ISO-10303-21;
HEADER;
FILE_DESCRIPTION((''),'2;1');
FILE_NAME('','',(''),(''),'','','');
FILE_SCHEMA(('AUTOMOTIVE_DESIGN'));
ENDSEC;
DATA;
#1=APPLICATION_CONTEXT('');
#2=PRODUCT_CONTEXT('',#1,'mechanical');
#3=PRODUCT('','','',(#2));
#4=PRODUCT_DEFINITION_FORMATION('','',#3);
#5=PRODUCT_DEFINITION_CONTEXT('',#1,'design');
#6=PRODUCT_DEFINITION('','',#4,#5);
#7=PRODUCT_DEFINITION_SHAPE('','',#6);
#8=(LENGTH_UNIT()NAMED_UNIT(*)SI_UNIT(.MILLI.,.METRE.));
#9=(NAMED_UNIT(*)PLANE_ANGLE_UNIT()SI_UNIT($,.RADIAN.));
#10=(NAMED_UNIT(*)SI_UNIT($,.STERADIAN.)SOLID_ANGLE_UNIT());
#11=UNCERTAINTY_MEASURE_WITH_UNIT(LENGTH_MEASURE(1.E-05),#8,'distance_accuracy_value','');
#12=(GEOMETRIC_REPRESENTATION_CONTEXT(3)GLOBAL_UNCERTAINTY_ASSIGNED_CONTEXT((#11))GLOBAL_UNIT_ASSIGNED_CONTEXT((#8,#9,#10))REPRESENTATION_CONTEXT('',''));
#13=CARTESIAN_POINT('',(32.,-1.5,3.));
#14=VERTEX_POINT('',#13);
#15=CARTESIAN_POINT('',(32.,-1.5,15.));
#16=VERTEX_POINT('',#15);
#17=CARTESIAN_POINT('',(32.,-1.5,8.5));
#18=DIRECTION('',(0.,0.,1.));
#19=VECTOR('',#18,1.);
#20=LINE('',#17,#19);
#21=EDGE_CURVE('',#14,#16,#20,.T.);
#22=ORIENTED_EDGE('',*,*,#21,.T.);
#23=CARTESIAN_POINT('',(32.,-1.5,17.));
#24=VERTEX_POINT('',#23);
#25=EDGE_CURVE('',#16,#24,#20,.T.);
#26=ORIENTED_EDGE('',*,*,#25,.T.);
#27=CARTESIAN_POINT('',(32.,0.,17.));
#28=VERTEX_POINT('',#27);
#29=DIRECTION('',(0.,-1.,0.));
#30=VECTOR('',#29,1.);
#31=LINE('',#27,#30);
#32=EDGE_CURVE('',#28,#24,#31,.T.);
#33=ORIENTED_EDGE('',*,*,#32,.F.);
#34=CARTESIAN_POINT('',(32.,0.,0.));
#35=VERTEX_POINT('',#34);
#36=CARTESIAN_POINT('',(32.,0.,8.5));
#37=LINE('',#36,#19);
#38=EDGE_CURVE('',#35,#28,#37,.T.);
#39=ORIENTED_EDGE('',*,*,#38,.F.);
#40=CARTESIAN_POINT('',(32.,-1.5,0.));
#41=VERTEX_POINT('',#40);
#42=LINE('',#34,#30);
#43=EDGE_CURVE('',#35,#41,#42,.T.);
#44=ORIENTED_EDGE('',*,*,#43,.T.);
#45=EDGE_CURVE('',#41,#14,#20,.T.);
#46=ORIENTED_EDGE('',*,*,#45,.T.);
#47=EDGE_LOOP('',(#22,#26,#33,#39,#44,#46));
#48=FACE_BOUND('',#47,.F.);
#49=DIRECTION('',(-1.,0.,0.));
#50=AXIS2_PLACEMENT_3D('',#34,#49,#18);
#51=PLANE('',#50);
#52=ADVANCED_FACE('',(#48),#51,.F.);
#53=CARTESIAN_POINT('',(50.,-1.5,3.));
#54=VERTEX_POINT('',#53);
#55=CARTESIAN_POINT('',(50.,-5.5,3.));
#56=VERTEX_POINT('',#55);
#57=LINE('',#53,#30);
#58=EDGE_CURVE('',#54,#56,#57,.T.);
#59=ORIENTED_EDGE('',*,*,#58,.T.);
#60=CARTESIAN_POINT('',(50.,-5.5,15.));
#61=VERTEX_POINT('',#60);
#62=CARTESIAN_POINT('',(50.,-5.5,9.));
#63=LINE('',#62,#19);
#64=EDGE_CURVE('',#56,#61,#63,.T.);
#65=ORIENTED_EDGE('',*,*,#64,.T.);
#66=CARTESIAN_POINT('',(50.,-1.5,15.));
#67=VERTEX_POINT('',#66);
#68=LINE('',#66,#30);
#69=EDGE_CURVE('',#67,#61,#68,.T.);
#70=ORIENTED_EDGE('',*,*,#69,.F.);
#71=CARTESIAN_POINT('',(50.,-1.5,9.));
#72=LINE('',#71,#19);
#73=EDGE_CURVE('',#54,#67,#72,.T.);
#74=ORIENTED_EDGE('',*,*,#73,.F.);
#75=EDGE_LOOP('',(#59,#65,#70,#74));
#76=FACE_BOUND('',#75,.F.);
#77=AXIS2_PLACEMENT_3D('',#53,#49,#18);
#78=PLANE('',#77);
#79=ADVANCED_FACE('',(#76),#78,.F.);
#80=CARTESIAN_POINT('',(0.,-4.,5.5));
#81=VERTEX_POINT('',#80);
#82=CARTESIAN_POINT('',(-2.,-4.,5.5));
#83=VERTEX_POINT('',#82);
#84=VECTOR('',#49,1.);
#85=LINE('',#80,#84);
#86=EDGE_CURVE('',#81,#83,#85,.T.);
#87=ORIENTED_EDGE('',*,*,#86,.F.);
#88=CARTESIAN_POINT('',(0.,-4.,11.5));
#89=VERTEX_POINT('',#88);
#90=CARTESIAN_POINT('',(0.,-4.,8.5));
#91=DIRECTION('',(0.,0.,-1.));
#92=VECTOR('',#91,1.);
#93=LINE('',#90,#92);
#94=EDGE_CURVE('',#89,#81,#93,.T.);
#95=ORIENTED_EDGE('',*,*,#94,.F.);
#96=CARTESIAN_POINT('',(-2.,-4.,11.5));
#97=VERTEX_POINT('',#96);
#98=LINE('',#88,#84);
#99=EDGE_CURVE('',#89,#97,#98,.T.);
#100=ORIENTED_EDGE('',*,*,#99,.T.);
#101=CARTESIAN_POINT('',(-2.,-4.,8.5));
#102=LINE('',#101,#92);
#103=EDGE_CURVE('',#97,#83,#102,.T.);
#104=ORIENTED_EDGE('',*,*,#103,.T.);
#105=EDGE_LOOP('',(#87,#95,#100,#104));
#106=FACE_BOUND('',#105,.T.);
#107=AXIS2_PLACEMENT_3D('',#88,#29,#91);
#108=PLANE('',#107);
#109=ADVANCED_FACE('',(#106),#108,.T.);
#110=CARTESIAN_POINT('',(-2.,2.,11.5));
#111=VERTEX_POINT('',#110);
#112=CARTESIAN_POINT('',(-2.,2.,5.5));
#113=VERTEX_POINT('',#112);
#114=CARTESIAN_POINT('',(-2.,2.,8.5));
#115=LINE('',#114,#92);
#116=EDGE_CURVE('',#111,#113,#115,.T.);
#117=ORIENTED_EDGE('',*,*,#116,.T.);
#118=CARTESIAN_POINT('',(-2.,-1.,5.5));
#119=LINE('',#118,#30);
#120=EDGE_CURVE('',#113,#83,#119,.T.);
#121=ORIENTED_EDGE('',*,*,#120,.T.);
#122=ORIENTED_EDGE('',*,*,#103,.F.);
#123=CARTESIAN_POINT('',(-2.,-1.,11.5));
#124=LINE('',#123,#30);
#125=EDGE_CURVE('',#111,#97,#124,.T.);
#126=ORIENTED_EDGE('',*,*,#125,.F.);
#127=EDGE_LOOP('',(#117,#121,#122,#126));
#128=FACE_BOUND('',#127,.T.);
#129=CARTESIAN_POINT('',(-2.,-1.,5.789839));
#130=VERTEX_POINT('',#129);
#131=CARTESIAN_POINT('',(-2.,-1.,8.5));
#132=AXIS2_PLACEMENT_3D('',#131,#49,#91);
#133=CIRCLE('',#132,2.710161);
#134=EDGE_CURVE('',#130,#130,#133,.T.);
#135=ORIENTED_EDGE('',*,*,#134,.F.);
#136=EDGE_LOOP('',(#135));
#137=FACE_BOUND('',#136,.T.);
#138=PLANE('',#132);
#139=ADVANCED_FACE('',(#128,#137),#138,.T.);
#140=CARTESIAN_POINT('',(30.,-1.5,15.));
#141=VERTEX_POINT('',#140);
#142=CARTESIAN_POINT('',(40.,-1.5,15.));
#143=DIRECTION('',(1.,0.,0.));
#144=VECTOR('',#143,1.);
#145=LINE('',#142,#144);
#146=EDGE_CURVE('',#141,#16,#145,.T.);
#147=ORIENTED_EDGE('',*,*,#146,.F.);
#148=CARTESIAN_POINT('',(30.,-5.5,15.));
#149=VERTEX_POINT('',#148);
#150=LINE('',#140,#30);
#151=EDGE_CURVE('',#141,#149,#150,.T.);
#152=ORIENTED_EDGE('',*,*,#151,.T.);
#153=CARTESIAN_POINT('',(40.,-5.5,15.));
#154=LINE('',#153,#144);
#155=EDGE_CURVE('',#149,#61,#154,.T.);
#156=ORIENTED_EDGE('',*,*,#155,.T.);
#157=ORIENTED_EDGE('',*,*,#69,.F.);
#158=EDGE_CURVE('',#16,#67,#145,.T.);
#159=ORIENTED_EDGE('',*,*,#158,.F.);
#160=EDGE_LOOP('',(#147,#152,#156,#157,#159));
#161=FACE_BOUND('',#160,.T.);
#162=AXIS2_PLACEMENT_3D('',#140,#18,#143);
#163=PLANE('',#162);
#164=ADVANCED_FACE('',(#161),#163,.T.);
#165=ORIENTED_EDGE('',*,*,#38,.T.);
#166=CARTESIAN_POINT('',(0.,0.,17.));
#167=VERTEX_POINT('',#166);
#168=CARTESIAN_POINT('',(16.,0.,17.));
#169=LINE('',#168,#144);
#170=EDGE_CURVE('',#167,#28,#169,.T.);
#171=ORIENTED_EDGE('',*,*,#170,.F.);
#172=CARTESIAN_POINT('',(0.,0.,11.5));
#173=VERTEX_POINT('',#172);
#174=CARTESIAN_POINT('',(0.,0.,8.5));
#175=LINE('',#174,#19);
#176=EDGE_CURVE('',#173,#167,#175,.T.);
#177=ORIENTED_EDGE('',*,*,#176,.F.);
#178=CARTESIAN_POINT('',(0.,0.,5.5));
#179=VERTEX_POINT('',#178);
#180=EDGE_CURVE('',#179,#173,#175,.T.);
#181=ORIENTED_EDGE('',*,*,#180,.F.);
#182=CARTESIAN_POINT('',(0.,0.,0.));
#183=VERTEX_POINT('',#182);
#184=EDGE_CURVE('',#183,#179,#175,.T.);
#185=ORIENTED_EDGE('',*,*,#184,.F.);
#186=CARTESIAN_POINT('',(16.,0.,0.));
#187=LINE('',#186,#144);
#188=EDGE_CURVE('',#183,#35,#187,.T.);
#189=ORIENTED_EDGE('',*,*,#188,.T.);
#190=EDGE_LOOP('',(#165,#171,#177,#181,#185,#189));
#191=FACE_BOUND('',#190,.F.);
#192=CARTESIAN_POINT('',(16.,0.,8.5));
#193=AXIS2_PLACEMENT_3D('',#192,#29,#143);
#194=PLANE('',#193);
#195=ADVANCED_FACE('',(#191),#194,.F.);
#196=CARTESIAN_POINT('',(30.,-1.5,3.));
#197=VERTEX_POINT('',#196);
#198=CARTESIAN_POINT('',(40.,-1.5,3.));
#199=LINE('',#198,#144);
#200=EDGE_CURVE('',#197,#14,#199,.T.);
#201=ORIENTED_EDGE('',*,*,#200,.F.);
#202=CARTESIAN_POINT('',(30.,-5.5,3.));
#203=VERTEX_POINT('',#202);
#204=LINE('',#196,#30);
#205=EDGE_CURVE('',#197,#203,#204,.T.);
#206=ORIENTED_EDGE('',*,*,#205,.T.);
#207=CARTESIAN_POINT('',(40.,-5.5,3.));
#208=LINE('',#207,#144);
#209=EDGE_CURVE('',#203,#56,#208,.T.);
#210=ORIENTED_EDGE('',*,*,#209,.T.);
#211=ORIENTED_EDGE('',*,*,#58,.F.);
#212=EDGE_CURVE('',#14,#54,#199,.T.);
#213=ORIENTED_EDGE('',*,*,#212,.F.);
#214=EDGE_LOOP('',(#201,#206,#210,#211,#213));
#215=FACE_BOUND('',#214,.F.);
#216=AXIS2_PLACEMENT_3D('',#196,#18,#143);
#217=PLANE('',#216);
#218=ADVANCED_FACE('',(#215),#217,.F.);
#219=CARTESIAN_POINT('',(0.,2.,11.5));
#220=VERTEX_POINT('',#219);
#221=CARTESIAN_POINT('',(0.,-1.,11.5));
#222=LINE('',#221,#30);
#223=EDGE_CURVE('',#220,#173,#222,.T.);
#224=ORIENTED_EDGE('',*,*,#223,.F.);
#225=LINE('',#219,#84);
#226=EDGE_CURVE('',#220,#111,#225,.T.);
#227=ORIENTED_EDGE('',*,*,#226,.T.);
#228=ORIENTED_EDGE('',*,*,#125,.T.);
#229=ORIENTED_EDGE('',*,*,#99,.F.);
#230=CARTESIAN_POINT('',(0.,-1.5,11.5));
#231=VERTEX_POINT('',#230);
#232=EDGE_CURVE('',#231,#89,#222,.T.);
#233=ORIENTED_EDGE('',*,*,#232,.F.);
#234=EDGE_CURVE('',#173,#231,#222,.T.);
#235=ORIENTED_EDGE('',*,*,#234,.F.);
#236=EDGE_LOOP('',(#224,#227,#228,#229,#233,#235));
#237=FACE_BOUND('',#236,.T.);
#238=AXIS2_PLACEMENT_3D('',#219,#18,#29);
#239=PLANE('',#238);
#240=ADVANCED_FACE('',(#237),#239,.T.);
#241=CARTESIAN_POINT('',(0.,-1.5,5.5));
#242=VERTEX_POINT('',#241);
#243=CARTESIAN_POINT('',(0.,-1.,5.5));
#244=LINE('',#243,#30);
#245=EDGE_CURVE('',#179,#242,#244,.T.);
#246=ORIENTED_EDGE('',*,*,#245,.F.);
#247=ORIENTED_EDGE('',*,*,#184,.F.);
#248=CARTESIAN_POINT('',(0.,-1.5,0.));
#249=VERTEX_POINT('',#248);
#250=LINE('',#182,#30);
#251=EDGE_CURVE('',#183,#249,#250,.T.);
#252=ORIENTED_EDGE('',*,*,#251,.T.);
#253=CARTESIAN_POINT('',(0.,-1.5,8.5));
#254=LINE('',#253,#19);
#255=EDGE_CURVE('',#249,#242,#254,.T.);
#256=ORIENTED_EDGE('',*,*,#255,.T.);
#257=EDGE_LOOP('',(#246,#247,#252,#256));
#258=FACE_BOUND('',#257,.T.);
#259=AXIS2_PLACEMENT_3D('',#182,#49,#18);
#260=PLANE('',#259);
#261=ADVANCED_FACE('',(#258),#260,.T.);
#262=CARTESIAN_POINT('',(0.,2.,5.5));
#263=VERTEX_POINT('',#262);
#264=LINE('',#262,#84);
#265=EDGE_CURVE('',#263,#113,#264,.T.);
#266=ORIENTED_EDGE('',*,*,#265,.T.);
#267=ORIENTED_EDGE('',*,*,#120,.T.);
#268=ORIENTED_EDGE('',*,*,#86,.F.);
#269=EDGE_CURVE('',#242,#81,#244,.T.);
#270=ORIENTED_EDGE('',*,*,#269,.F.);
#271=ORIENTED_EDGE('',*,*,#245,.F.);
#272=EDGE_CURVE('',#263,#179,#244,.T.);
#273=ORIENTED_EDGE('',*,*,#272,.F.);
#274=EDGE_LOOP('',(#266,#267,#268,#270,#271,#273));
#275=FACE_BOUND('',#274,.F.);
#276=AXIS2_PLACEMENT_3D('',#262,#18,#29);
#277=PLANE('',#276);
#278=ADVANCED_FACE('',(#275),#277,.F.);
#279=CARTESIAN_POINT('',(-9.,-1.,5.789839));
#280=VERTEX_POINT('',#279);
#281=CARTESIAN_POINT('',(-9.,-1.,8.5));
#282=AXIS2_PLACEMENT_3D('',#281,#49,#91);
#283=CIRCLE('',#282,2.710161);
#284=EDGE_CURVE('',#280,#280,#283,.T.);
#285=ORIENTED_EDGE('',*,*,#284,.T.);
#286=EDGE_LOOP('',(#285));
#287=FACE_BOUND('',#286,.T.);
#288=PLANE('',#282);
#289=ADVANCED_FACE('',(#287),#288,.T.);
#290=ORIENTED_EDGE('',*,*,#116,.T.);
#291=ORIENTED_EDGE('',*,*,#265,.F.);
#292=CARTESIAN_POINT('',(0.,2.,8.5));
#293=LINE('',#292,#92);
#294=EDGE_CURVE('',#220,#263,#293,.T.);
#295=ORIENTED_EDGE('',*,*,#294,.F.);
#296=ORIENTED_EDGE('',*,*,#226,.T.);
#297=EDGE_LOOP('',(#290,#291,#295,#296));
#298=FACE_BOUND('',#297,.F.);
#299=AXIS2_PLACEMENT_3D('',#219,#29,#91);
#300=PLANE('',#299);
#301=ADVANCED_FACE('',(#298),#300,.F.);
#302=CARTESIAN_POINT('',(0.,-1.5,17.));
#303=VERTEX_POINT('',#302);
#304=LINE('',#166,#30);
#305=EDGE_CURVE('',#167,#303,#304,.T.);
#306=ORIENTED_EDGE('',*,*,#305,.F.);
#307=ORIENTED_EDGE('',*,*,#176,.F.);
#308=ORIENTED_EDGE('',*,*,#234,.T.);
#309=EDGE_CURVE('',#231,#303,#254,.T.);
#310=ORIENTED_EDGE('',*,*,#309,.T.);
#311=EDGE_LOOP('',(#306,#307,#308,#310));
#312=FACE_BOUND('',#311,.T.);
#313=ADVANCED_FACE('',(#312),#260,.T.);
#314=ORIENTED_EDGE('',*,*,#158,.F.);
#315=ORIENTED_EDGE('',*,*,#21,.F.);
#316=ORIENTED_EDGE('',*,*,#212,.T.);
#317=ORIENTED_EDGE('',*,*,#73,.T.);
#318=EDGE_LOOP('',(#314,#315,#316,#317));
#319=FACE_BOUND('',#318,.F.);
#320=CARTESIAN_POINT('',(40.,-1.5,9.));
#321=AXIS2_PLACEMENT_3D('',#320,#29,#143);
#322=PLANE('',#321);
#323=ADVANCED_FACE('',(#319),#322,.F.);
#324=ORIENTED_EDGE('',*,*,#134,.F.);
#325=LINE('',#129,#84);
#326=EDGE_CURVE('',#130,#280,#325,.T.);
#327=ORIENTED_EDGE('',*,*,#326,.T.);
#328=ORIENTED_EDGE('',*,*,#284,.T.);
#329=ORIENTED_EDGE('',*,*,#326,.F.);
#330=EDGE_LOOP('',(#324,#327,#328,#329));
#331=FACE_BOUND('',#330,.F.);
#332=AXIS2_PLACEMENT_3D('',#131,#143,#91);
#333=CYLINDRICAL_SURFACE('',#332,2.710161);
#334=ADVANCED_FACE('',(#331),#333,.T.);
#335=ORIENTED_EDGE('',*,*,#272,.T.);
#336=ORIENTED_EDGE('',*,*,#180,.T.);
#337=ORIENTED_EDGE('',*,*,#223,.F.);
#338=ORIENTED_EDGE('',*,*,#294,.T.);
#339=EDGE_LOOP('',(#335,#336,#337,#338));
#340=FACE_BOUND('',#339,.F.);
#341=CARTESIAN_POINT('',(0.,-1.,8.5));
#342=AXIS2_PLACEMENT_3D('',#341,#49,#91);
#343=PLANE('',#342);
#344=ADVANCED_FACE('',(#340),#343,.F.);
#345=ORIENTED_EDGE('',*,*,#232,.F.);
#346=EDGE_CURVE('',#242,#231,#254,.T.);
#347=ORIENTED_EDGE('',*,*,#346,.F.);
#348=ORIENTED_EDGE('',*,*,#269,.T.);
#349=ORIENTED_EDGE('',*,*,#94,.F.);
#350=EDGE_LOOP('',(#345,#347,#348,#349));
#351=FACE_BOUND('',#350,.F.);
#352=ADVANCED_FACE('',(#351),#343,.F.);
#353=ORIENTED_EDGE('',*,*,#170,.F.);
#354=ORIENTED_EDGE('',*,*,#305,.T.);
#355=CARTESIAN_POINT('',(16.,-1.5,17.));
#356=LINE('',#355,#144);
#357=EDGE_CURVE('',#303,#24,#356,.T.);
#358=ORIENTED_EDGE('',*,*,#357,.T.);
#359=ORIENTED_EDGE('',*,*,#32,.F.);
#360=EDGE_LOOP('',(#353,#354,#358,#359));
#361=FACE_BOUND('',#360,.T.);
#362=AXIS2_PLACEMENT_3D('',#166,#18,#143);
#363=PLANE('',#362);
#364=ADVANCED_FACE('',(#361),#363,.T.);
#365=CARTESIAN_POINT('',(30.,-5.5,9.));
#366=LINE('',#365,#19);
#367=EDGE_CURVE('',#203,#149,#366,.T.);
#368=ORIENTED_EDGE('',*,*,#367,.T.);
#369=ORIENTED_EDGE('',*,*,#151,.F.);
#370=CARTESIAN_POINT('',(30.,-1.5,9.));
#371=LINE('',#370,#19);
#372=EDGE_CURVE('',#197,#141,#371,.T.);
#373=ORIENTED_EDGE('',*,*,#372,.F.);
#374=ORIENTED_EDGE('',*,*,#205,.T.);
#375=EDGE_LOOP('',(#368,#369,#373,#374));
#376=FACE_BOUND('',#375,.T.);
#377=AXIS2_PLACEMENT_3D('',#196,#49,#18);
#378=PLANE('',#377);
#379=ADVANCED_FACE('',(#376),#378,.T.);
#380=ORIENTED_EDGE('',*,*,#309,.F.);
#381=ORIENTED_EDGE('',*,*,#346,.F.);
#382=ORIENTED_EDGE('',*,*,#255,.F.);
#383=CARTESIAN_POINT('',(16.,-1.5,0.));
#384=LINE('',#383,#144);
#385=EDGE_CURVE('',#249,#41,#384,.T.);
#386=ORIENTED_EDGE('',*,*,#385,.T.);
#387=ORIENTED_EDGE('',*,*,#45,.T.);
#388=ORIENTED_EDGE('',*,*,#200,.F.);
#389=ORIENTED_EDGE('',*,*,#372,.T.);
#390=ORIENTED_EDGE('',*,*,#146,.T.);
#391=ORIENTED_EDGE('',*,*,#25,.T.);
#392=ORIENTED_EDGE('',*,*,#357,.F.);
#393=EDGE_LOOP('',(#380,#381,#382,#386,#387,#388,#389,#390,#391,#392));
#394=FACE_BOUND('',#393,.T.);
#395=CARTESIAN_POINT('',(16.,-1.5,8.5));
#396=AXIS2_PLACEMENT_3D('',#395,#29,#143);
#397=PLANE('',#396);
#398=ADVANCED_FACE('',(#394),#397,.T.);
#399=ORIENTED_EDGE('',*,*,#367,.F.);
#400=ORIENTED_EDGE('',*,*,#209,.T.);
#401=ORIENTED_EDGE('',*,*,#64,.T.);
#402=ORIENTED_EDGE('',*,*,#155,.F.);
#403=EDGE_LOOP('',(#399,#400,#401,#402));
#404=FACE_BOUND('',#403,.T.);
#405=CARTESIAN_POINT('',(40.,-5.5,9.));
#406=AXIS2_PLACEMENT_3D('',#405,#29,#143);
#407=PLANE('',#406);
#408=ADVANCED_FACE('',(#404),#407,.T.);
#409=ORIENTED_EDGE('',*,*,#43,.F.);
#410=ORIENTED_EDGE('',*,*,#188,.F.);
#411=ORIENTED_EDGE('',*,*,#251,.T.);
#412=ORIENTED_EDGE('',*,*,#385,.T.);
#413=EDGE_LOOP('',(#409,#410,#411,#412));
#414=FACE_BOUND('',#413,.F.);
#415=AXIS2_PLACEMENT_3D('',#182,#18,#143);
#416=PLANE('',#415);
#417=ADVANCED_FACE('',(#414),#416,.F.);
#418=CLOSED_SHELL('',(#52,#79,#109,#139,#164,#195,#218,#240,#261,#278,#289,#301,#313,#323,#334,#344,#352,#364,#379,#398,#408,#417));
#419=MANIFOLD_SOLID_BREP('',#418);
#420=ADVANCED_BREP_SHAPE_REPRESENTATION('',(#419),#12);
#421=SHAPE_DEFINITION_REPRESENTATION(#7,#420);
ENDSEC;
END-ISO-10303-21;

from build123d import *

# Parameters (mm, degrees)
SKETCH_W     = 32
SKETCH_H     = 17
PAD_DEPTH    = 1.5
SKETCH001_W  = 6
SKETCH001_H  = 6
PAD001_DEPTH = 2
SKETCH002_R  = 2.710161
PAD002_DEPTH = 7
SKETCH003_W  = 20
SKETCH003_H  = 12
PAD003_DEPTH = 4


with BuildPart() as part:
    # Sketch → Pad (new body)
    with BuildSketch(Plane.XZ):
        with Locations((16, 8.5)):
            Rectangle(SKETCH_W, SKETCH_H)
    extrude(amount=PAD_DEPTH)

    # Sketch001 (on Face4 of Pad) → Pad001 (join)
    with BuildSketch(Plane(origin=(0, 0, 0), x_dir=(0, 0, -1), z_dir=(-1, 0, 0))):
        with Locations((-8.5, 1)):
            Rectangle(SKETCH001_W, SKETCH001_H)
    extrude(amount=PAD001_DEPTH)

    # Sketch002 (on Face13 of Pad001) → Pad002 (join)
    with BuildSketch(Plane(origin=(-2, 0, 0), x_dir=(0, 0, -1), z_dir=(-1, 0, 0))):
        with Locations((-8.5, 1)):
            Circle(SKETCH002_R)
    extrude(amount=PAD002_DEPTH)

    # Sketch003 (on Face5 of Pad002) → Pad003 (join)
    with BuildSketch(Plane.XZ.offset(1.5)):
        with Locations((40, 9)):
            Rectangle(SKETCH003_W, SKETCH003_H)
    extrude(amount=PAD003_DEPTH)


solid = part.part
